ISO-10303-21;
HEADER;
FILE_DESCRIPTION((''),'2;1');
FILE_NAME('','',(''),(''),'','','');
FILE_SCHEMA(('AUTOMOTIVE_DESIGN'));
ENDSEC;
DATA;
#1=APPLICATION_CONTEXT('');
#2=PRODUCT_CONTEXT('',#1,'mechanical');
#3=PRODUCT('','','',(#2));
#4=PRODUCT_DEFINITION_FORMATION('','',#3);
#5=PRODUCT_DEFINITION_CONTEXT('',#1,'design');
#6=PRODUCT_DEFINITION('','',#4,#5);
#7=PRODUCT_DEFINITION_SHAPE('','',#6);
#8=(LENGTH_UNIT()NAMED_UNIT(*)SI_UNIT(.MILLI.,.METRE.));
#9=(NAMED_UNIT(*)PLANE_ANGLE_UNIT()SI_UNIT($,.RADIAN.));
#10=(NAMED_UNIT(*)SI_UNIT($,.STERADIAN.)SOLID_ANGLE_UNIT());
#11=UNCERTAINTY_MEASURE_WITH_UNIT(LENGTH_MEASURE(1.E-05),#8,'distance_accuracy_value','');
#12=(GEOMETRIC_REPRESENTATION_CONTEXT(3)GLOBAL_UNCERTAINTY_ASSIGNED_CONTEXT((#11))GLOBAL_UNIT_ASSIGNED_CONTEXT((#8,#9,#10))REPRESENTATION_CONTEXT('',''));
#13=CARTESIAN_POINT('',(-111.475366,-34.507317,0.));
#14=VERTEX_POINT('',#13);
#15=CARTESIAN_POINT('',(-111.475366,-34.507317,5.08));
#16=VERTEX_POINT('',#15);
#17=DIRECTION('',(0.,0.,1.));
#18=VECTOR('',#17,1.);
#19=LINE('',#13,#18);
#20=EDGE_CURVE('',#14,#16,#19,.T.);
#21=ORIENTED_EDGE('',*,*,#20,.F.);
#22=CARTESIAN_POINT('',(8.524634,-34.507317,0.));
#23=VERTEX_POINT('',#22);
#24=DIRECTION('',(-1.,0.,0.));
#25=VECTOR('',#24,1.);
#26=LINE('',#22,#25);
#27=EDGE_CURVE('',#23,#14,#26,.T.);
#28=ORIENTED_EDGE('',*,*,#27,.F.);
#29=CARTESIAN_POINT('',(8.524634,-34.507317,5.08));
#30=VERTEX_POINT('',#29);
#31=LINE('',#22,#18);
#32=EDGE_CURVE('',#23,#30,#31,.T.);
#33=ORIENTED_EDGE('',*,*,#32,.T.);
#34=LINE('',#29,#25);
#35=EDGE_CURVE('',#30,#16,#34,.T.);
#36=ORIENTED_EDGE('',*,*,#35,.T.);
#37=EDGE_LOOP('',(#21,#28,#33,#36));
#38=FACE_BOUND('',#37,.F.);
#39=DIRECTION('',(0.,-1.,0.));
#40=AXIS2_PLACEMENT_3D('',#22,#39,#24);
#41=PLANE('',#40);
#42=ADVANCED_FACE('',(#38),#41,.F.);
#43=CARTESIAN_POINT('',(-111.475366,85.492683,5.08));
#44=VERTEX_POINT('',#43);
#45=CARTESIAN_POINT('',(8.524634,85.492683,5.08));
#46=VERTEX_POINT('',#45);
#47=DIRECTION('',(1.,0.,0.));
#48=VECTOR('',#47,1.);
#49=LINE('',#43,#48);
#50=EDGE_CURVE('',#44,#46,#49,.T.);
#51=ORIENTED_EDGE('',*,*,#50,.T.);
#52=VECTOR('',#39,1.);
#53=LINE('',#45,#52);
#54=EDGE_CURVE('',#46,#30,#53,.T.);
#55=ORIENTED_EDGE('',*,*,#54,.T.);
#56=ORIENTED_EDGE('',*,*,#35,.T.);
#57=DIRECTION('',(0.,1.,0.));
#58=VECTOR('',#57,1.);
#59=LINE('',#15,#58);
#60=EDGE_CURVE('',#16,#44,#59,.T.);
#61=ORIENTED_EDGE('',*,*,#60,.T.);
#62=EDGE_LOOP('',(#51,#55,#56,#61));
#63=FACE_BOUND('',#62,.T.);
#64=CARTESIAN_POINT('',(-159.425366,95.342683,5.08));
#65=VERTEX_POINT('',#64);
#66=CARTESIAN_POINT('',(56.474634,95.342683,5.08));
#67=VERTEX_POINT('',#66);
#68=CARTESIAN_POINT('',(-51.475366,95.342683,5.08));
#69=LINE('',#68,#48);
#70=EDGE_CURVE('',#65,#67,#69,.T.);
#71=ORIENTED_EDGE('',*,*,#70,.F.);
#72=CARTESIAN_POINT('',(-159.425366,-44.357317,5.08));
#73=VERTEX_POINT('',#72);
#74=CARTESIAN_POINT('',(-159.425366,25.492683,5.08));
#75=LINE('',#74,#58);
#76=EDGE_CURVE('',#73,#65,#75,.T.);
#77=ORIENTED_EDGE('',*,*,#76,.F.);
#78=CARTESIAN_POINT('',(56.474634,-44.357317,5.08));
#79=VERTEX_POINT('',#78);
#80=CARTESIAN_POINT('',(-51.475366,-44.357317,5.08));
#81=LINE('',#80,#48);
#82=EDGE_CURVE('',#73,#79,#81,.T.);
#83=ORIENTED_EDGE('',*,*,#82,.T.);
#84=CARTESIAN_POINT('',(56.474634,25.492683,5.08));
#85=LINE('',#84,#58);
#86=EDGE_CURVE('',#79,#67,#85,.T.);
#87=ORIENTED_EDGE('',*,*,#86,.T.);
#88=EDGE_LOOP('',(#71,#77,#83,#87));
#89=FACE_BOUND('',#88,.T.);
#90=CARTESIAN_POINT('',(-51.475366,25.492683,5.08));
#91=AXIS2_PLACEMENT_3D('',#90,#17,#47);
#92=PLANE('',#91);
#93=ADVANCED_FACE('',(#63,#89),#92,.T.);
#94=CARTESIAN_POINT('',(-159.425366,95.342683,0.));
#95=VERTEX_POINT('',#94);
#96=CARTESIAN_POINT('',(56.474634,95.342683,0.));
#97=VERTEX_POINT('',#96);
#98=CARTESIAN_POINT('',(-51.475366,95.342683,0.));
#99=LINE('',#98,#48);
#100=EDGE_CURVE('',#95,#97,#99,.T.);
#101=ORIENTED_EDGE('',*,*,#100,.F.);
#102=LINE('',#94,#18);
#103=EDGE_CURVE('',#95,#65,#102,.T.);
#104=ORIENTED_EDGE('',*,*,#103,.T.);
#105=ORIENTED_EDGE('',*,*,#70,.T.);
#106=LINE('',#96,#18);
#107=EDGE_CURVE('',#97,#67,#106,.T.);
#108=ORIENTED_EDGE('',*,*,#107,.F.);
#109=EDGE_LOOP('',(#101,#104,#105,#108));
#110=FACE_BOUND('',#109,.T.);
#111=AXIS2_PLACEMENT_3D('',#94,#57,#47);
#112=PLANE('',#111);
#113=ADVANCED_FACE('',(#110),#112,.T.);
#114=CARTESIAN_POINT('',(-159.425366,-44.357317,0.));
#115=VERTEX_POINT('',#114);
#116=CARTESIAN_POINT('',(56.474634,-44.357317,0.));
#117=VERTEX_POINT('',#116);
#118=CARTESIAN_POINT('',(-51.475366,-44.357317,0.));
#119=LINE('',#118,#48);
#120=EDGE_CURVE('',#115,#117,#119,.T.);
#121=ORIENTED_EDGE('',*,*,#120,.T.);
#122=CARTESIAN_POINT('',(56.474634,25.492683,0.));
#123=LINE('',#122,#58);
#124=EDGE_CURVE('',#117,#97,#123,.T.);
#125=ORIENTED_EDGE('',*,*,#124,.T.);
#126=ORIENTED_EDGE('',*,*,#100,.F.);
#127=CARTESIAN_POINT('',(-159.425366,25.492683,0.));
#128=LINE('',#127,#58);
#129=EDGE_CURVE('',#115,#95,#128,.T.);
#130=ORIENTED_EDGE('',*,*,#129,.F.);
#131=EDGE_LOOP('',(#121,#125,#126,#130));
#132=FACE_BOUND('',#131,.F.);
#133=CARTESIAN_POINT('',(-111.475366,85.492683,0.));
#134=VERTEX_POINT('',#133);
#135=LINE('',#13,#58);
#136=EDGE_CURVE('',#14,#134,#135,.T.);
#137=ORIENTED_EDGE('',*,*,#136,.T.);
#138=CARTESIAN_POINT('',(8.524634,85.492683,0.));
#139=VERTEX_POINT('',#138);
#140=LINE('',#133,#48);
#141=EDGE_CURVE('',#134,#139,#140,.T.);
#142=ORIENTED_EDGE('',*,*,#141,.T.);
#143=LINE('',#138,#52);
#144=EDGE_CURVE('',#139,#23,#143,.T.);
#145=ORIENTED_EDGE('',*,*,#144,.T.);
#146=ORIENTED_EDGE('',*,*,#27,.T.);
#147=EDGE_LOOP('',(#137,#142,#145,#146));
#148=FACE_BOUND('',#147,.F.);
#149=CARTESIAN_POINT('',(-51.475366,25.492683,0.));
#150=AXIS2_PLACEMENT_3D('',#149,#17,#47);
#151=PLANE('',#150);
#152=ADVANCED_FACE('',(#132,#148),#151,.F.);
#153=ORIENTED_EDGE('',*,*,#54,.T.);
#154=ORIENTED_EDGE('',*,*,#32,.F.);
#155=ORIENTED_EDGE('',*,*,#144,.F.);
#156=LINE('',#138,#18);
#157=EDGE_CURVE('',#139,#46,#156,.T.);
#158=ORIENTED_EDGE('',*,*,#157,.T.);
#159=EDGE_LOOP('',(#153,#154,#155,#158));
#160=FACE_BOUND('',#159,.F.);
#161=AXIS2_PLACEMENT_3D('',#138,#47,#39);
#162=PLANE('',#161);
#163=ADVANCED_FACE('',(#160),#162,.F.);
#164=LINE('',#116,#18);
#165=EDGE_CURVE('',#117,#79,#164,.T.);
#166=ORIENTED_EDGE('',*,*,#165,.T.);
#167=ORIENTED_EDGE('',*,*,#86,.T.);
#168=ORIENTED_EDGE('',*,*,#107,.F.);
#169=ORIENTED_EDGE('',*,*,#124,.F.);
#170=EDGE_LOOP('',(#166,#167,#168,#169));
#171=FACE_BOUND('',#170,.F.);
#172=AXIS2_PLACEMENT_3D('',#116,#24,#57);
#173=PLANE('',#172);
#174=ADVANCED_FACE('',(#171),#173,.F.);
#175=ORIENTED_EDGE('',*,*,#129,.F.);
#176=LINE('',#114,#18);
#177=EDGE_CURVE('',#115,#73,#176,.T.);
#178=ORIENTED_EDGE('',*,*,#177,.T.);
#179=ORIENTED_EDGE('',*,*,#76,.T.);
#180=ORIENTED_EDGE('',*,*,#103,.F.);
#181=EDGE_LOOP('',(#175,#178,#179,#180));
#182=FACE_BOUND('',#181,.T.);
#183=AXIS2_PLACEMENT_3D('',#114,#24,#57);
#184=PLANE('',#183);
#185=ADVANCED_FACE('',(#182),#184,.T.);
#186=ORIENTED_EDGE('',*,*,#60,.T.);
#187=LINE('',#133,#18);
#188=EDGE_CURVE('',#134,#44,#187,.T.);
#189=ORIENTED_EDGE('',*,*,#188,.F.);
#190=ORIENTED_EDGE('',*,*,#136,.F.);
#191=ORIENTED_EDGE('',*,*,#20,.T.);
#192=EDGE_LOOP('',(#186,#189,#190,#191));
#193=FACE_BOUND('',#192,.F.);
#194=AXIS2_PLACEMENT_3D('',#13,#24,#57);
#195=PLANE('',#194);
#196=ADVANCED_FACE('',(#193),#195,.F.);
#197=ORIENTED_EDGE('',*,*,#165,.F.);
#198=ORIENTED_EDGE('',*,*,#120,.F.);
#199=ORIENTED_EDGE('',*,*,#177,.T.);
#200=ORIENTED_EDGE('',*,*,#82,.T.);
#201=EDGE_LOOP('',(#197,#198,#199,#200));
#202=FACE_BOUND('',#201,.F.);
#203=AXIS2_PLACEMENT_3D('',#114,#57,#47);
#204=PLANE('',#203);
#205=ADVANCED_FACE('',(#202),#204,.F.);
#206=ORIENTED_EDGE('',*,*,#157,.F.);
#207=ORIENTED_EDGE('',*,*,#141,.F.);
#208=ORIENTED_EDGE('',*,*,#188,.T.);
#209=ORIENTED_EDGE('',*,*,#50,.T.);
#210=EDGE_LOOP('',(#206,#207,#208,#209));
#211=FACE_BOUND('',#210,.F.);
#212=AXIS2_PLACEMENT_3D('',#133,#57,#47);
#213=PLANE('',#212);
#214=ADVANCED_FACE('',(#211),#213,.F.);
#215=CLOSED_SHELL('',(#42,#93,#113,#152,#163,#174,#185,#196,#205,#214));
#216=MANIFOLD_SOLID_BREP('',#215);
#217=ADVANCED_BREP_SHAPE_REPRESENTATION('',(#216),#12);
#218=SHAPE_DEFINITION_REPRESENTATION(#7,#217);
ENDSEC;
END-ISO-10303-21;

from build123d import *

# Parameters (mm, degrees)
F0_W     = 215.9
F0_H     = 139.7
F1_DEPTH = 5.08


with BuildPart() as f1:
    # F0 (on Top) → F1 (new body)
    with BuildSketch(Plane.XY):
        with Locations((-51.475366, 25.492683)):
            Rectangle(F0_W, F0_H)
        Polygon((-111.475366, -34.507317), (-111.475366, 25.492683), (-111.475366, 85.492683), (-51.475366, 85.492683), (8.524634, 85.492683), (8.524634, 25.492683), (8.524634, -34.507317), (-51.475366, -34.507317), align=None, mode=Mode.SUBTRACT)
    extrude(amount=F1_DEPTH)


solid = f1.part
